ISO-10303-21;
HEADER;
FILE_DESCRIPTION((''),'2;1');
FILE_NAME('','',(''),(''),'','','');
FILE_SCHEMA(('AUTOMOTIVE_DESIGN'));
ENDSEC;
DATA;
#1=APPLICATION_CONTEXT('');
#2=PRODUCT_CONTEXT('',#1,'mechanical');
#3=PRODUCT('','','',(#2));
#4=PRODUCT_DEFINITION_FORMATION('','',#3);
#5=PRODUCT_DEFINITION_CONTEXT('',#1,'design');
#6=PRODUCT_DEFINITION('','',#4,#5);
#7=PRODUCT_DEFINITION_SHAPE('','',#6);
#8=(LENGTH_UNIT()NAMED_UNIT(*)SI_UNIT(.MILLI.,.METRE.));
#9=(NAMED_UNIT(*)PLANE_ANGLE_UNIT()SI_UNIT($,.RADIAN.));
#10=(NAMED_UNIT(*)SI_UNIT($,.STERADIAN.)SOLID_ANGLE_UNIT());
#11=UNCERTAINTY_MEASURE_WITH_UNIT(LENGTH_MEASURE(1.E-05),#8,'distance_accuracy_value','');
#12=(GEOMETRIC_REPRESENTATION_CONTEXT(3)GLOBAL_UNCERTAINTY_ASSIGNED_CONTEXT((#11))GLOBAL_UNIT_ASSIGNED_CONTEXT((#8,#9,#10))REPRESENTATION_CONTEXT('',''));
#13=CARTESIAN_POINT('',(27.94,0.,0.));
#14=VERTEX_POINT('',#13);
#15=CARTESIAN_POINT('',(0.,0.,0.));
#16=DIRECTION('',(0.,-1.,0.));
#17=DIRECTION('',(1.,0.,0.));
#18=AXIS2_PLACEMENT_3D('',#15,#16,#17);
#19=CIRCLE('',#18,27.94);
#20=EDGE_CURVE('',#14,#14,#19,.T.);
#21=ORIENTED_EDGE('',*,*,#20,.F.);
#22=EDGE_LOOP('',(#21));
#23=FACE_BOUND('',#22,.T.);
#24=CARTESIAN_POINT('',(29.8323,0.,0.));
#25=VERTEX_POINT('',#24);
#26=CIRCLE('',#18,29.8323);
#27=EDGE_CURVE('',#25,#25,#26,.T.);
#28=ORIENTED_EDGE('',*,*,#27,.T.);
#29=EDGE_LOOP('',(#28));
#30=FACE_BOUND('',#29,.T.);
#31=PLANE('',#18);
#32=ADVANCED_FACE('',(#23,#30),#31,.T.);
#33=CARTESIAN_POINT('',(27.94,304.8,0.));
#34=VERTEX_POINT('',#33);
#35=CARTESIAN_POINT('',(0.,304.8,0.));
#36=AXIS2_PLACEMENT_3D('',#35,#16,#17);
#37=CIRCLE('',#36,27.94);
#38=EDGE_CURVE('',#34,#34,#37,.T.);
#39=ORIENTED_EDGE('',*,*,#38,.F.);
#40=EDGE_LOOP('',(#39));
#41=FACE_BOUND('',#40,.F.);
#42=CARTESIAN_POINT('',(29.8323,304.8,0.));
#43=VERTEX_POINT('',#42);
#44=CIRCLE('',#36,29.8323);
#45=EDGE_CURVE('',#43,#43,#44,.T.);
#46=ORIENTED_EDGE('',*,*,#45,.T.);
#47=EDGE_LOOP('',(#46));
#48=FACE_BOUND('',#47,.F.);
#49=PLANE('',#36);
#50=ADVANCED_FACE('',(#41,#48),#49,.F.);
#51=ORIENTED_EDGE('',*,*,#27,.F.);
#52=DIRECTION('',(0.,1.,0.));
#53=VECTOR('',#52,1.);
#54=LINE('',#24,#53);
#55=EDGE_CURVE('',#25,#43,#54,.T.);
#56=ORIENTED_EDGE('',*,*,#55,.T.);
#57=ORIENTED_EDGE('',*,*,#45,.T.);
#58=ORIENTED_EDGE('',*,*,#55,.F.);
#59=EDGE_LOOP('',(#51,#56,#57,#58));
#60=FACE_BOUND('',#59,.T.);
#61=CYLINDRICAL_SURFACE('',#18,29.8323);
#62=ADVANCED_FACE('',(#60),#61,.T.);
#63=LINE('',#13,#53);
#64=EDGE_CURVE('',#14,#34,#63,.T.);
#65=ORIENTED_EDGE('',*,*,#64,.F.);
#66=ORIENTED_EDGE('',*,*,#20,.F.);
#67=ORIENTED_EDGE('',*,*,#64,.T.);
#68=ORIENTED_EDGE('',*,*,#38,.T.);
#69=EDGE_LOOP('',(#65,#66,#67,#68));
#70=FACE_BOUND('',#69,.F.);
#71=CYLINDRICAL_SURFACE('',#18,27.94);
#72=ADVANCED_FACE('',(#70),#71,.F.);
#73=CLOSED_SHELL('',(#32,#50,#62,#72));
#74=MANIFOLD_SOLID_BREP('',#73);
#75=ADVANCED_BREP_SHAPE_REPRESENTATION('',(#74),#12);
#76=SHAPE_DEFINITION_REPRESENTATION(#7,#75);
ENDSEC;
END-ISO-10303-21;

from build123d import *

# Parameters (mm, degrees)
F0_R     = 29.8323
F1_DEPTH = 304.8
F2_R     = 27.94
F3_DEPTH = 304.8


with BuildPart() as f1:
    # F0 (on Front) → F1 (new body)
    with BuildSketch(Plane.XZ):
        Circle(F0_R)
    extrude(amount=-F1_DEPTH)

    # F2 (on Front) → F3 (cut)
    with BuildSketch(Plane.XZ):
        Circle(F2_R)
    extrude(amount=-F3_DEPTH, mode=Mode.SUBTRACT)


solid = f1.part
